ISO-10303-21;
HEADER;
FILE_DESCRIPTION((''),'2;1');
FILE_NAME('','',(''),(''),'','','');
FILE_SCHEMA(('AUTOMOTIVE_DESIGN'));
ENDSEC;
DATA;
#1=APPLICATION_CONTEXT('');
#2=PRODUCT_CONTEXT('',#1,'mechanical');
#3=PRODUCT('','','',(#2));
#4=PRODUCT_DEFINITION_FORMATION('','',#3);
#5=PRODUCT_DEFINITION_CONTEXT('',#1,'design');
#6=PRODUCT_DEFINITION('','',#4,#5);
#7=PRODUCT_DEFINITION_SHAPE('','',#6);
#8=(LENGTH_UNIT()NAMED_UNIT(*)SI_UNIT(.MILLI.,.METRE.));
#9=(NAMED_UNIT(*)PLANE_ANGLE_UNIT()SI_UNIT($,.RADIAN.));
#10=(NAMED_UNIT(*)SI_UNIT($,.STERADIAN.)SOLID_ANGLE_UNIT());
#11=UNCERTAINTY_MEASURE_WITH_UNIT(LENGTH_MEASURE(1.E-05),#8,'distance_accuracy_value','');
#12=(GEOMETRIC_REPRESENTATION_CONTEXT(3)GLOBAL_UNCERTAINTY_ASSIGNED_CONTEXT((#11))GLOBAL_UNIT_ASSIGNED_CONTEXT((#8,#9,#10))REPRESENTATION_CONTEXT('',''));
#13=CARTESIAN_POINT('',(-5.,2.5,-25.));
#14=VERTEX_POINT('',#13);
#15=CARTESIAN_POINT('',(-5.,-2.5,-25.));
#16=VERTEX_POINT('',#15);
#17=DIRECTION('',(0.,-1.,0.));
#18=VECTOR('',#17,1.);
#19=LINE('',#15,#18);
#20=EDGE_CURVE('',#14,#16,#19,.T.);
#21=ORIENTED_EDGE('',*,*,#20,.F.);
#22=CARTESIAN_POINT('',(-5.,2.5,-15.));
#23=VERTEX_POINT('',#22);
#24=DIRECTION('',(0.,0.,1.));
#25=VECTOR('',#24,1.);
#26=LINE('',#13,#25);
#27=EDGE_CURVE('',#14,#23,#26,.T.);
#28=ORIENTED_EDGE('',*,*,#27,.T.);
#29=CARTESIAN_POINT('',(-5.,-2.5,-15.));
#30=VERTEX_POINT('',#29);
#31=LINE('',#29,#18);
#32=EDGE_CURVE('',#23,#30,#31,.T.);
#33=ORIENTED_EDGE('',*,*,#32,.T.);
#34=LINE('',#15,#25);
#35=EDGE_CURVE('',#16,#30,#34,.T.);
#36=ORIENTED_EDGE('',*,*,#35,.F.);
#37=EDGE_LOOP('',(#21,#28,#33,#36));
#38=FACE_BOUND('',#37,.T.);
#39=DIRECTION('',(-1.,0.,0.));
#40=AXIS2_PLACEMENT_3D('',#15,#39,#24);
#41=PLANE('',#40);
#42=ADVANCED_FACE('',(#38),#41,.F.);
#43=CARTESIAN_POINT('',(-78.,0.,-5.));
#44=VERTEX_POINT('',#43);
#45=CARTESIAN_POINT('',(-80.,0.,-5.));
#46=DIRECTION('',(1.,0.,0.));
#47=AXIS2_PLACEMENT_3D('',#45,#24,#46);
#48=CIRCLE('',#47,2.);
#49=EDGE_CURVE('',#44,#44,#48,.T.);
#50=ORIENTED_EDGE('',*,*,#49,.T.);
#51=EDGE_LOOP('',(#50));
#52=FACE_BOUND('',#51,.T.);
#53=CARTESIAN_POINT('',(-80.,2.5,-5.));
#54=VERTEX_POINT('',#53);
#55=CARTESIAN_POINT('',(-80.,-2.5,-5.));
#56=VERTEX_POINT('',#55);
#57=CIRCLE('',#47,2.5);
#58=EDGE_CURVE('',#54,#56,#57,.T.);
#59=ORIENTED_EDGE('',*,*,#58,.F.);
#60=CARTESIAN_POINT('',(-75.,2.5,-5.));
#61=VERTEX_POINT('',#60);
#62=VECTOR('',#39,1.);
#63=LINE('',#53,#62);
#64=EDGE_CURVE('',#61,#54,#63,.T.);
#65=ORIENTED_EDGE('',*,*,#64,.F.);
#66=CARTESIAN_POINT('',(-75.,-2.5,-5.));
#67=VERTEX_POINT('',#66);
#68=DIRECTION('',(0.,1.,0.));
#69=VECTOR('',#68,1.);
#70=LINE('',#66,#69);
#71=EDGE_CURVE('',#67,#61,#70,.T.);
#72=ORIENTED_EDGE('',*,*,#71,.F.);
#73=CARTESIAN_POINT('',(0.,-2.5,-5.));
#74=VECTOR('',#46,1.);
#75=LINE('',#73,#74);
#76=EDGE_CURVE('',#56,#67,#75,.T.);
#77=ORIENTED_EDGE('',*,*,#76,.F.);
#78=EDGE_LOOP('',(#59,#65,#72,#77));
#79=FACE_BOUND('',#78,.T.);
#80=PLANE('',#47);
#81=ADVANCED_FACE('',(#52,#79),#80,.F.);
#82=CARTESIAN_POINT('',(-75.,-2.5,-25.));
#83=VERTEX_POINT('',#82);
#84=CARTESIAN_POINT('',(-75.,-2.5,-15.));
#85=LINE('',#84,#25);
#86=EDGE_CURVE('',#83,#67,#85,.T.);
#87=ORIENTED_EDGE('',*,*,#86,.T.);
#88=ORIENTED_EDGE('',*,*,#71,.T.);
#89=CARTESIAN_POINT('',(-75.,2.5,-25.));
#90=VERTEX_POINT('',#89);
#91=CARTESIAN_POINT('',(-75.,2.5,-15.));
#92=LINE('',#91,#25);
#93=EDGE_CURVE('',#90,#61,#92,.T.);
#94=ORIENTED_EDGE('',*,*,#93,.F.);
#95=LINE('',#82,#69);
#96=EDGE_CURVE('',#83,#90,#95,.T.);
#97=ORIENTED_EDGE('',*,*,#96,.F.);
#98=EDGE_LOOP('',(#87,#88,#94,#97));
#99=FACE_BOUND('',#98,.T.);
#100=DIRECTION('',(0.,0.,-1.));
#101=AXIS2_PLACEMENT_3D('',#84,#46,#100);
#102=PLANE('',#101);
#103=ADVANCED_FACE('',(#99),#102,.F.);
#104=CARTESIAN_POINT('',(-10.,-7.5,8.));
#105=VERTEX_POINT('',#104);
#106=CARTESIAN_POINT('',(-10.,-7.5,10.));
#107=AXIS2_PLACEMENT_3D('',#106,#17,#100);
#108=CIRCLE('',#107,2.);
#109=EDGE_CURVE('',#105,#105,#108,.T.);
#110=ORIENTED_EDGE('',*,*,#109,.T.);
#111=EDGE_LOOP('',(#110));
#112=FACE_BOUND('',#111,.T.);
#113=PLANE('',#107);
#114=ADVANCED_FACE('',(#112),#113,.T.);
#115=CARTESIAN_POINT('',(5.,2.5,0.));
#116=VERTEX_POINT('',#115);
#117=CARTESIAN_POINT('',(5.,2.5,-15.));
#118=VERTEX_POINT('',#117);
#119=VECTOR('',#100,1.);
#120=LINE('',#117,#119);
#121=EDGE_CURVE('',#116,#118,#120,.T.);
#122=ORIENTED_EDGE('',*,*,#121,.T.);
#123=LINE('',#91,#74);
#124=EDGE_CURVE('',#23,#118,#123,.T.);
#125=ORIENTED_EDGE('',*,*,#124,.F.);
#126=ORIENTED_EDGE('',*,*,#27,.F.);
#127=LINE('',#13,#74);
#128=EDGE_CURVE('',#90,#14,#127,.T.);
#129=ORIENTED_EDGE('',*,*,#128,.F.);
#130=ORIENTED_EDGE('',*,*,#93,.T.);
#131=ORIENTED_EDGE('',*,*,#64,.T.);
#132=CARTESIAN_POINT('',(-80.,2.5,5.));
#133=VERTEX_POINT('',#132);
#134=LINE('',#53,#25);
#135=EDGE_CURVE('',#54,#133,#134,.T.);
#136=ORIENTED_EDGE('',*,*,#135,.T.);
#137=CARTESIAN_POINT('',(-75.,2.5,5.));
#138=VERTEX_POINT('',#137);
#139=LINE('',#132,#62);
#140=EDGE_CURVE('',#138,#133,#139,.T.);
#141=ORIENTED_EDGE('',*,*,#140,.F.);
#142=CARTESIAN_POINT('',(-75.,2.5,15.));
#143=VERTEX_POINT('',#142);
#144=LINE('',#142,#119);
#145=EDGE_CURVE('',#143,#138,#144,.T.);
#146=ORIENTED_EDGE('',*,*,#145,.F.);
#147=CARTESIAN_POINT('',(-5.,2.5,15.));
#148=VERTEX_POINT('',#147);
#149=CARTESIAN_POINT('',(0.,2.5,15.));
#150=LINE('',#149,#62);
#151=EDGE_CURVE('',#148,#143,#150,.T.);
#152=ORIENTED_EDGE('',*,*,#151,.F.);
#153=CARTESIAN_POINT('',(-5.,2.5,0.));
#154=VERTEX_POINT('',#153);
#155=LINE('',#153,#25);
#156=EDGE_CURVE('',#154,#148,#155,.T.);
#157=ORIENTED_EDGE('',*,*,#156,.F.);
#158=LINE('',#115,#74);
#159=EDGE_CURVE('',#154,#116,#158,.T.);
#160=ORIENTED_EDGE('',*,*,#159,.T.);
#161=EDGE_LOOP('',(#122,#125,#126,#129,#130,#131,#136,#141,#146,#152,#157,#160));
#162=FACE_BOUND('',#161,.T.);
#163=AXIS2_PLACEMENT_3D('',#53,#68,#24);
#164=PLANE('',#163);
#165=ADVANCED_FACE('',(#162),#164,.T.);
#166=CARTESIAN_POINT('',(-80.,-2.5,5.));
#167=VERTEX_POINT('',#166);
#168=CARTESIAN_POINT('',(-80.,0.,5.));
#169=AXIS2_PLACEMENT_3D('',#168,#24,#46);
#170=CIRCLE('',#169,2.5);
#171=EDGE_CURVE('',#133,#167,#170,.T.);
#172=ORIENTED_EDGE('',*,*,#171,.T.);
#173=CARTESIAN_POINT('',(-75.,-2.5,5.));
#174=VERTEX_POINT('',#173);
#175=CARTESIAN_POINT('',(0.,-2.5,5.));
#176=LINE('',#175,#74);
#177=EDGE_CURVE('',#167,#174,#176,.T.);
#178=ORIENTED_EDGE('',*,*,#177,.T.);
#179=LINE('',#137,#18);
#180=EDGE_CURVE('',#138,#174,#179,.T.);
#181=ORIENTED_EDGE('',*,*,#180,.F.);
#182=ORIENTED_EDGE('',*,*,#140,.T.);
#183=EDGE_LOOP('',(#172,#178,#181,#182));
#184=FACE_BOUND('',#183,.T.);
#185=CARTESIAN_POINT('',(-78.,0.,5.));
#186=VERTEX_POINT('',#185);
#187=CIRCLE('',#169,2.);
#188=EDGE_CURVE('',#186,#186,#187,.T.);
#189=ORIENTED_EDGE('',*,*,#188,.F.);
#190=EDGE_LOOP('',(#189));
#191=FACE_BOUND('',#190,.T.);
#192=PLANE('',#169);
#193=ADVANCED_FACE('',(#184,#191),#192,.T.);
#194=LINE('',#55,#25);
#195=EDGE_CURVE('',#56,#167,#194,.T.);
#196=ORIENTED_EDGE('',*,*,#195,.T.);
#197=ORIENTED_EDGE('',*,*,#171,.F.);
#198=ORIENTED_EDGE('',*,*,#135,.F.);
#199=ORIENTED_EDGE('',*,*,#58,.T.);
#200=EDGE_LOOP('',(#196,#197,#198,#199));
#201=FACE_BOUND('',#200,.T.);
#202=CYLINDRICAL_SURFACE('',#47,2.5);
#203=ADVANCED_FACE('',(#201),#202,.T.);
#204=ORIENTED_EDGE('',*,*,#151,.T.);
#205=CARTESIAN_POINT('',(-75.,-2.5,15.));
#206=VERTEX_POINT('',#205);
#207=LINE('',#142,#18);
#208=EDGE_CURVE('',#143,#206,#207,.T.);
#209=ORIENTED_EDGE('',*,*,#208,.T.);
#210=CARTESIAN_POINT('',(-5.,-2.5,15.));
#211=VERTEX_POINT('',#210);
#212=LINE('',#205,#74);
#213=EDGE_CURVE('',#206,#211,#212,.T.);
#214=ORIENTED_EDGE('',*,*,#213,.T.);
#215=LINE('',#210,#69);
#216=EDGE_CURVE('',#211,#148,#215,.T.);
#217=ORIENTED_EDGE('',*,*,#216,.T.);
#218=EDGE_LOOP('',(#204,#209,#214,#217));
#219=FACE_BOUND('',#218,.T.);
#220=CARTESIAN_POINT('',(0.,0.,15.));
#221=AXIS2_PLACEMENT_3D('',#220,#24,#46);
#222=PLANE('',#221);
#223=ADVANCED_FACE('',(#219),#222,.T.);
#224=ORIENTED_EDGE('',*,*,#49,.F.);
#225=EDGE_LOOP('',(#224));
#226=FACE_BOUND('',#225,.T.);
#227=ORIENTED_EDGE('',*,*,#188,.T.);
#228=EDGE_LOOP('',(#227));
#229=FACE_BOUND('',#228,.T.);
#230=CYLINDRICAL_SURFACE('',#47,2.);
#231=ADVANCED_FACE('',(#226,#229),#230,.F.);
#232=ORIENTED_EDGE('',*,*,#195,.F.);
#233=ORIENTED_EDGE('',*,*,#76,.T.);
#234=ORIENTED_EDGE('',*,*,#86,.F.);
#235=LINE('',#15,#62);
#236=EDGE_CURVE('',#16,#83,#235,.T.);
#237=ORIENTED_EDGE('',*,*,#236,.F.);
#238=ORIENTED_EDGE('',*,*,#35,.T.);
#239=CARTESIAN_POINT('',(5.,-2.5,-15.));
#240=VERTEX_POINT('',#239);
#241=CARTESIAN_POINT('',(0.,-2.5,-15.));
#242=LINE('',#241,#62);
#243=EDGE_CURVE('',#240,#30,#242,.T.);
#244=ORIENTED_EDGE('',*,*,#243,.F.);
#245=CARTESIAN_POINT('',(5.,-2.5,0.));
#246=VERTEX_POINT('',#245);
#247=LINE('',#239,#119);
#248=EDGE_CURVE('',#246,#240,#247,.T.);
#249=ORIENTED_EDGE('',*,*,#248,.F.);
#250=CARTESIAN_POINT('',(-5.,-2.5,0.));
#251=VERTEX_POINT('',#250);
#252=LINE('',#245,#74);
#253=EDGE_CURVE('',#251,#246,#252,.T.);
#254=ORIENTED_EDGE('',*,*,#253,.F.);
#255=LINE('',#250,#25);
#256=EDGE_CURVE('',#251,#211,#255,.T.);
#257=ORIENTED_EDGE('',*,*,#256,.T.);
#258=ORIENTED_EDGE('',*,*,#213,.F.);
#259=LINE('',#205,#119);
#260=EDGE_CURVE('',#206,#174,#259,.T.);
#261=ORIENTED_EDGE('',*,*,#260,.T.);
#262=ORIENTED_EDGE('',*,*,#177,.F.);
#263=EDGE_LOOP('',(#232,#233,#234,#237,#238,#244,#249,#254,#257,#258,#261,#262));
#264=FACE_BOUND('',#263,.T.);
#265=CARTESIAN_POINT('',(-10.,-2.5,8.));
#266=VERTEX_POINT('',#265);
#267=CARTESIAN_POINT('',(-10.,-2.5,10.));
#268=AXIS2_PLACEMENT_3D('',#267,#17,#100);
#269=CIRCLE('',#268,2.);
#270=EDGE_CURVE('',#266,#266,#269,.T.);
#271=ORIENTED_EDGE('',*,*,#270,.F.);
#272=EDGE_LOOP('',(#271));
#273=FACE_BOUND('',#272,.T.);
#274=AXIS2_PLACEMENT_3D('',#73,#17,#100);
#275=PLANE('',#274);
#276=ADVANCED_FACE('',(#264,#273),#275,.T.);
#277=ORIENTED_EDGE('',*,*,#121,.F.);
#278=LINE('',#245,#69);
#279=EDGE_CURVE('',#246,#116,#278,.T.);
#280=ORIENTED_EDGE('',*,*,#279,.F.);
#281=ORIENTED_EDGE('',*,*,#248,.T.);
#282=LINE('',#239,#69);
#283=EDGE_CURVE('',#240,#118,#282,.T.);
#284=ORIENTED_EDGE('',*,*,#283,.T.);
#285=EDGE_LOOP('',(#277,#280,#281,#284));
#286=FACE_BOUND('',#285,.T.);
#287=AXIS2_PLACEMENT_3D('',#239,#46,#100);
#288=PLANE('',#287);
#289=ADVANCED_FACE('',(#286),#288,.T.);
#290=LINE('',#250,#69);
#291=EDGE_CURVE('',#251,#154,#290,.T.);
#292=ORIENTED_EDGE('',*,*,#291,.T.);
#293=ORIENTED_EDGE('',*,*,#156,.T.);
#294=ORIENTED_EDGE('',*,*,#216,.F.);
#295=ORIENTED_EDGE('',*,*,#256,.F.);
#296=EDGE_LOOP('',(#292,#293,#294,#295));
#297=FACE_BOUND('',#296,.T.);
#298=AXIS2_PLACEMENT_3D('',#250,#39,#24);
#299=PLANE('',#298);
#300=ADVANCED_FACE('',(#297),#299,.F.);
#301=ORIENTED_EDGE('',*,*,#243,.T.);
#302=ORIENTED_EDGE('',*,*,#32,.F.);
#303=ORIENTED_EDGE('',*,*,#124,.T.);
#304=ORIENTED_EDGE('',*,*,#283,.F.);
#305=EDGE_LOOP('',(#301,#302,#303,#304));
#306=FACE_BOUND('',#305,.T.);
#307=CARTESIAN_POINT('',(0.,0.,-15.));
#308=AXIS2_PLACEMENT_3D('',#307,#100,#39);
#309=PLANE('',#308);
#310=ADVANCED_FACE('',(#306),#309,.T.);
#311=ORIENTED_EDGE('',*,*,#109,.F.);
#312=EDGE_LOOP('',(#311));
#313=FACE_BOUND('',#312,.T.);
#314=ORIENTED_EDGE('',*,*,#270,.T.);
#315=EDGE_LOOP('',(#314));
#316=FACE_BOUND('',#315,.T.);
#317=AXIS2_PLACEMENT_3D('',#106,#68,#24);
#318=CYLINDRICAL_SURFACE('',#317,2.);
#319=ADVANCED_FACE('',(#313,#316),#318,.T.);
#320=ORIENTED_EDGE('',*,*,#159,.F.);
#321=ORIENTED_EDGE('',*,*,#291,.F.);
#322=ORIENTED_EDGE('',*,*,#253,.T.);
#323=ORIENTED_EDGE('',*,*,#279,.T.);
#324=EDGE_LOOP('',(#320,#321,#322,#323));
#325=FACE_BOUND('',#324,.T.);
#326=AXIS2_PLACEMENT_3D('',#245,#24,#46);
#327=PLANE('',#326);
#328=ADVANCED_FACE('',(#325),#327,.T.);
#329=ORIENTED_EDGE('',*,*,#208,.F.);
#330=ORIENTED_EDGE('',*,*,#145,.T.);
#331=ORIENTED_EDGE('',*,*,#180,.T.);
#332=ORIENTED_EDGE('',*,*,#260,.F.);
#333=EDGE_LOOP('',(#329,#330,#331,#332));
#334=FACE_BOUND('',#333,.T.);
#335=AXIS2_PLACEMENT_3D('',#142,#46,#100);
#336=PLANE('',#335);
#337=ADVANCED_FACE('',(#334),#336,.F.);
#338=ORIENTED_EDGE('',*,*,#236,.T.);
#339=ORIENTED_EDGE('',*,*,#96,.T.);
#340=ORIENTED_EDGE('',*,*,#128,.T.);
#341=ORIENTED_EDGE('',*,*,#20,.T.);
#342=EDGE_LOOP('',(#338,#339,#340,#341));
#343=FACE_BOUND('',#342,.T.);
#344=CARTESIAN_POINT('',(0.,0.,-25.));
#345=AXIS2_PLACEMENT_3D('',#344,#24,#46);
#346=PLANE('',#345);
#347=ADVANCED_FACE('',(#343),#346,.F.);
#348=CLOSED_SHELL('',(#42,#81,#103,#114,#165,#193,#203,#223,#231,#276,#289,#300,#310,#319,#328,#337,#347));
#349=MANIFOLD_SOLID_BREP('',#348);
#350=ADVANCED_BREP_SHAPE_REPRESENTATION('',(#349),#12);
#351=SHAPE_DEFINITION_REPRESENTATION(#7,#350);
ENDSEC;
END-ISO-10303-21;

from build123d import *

# Parameters (mm, degrees)
BASE_DEPTH          = 5
BASE_DEPTH_BACK     = 5
ESQUISSE1_R         = 2
ESQUISSE2_W         = 75
ESQUISSE2_H         = 5
BOSS_GRAND_DEPTH    = 10
ESQUISSE3_W         = 75
ESQUISSE3_H         = 5
BOSS_PETIT_DEPTH    = 10
ESQUISSE4_W         = 5
ESQUISSE4_H         = 15
BOSS_BLOQUER_DEPTH  = 5
ESQUISSE5_W         = 5
ESQUISSE5_H         = 15
VIDE_BLOQUER_DEPTH  = 5
ESQUISSE6_W         = 70
ESQUISSE6_H         = 5
BOSS_BAS_DEPTH      = 10
ESQUISSE8_R         = 2
ATTACHE_CORDE_DEPTH = 5


with BuildPart() as part:
    # Esquisse1 → BASE (new, two sides: drawn at the far end of the back side and taken through both)
    with BuildSketch(Plane.XY.offset(-BASE_DEPTH_BACK)):
        with BuildLine():
            Line((-80, 2.5), (0, 2.5))
            Line((0, 2.5), (0, -2.5))
            Line((0, -2.5), (-80, -2.5))
            ThreePointArc((-80, -2.5), (-82.5, 0), (-80, 2.5))
        make_face()
        with Locations((-80, 0)):
            Circle(ESQUISSE1_R, mode=Mode.SUBTRACT)
    extrude(amount=BASE_DEPTH + BASE_DEPTH_BACK)

    # Esquisse2 → BOSS GRAND (add)
    with BuildSketch(Plane.XY.offset(5)):
        with Locations((-37.5, 0)):
            Rectangle(ESQUISSE2_W, ESQUISSE2_H)
    extrude(amount=BOSS_GRAND_DEPTH)

    # Esquisse3 → BOSS PETIT (add)
    with BuildSketch(Plane(origin=(0, 0, -5), x_dir=(-1, 0, 0), z_dir=(0, 0, -1))):
        with Locations((37.5, 0)):
            Rectangle(ESQUISSE3_W, ESQUISSE3_H)
    extrude(amount=BOSS_PETIT_DEPTH)

    # Esquisse4 → BOSS BLOQUER (add)
    with BuildSketch(Plane(origin=(0, 2.5, 0), x_dir=(1, 0, 0), z_dir=(0, 1, 0))):
        with Locations((2.5, 7.5)):
            Rectangle(ESQUISSE4_W, ESQUISSE4_H)
    extrude(amount=-BOSS_BLOQUER_DEPTH)

    # Esquisse5 → VIDE BLOQUER (cut)
    with BuildSketch(Plane(origin=(0, 2.5, 0), x_dir=(1, 0, 0), z_dir=(0, 1, 0))):
        with Locations((-2.5, -7.5)):
            Rectangle(ESQUISSE5_W, ESQUISSE5_H)
    extrude(amount=-VIDE_BLOQUER_DEPTH, mode=Mode.SUBTRACT)

    # Esquisse6 → BOSS BAS (add)
    with BuildSketch(Plane(origin=(0, 0, -15), x_dir=(-1, 0, 0), z_dir=(0, 0, -1))):
        with Locations((40, 0)):
            Rectangle(ESQUISSE6_W, ESQUISSE6_H)
    extrude(amount=BOSS_BAS_DEPTH)

    # Esquisse8 → ATTACHE CORDE (add)
    with BuildSketch(Plane.XZ.offset(2.5)):
        with Locations((-10, 10)):
            Circle(ESQUISSE8_R)
    extrude(amount=ATTACHE_CORDE_DEPTH)


solid = part.part
